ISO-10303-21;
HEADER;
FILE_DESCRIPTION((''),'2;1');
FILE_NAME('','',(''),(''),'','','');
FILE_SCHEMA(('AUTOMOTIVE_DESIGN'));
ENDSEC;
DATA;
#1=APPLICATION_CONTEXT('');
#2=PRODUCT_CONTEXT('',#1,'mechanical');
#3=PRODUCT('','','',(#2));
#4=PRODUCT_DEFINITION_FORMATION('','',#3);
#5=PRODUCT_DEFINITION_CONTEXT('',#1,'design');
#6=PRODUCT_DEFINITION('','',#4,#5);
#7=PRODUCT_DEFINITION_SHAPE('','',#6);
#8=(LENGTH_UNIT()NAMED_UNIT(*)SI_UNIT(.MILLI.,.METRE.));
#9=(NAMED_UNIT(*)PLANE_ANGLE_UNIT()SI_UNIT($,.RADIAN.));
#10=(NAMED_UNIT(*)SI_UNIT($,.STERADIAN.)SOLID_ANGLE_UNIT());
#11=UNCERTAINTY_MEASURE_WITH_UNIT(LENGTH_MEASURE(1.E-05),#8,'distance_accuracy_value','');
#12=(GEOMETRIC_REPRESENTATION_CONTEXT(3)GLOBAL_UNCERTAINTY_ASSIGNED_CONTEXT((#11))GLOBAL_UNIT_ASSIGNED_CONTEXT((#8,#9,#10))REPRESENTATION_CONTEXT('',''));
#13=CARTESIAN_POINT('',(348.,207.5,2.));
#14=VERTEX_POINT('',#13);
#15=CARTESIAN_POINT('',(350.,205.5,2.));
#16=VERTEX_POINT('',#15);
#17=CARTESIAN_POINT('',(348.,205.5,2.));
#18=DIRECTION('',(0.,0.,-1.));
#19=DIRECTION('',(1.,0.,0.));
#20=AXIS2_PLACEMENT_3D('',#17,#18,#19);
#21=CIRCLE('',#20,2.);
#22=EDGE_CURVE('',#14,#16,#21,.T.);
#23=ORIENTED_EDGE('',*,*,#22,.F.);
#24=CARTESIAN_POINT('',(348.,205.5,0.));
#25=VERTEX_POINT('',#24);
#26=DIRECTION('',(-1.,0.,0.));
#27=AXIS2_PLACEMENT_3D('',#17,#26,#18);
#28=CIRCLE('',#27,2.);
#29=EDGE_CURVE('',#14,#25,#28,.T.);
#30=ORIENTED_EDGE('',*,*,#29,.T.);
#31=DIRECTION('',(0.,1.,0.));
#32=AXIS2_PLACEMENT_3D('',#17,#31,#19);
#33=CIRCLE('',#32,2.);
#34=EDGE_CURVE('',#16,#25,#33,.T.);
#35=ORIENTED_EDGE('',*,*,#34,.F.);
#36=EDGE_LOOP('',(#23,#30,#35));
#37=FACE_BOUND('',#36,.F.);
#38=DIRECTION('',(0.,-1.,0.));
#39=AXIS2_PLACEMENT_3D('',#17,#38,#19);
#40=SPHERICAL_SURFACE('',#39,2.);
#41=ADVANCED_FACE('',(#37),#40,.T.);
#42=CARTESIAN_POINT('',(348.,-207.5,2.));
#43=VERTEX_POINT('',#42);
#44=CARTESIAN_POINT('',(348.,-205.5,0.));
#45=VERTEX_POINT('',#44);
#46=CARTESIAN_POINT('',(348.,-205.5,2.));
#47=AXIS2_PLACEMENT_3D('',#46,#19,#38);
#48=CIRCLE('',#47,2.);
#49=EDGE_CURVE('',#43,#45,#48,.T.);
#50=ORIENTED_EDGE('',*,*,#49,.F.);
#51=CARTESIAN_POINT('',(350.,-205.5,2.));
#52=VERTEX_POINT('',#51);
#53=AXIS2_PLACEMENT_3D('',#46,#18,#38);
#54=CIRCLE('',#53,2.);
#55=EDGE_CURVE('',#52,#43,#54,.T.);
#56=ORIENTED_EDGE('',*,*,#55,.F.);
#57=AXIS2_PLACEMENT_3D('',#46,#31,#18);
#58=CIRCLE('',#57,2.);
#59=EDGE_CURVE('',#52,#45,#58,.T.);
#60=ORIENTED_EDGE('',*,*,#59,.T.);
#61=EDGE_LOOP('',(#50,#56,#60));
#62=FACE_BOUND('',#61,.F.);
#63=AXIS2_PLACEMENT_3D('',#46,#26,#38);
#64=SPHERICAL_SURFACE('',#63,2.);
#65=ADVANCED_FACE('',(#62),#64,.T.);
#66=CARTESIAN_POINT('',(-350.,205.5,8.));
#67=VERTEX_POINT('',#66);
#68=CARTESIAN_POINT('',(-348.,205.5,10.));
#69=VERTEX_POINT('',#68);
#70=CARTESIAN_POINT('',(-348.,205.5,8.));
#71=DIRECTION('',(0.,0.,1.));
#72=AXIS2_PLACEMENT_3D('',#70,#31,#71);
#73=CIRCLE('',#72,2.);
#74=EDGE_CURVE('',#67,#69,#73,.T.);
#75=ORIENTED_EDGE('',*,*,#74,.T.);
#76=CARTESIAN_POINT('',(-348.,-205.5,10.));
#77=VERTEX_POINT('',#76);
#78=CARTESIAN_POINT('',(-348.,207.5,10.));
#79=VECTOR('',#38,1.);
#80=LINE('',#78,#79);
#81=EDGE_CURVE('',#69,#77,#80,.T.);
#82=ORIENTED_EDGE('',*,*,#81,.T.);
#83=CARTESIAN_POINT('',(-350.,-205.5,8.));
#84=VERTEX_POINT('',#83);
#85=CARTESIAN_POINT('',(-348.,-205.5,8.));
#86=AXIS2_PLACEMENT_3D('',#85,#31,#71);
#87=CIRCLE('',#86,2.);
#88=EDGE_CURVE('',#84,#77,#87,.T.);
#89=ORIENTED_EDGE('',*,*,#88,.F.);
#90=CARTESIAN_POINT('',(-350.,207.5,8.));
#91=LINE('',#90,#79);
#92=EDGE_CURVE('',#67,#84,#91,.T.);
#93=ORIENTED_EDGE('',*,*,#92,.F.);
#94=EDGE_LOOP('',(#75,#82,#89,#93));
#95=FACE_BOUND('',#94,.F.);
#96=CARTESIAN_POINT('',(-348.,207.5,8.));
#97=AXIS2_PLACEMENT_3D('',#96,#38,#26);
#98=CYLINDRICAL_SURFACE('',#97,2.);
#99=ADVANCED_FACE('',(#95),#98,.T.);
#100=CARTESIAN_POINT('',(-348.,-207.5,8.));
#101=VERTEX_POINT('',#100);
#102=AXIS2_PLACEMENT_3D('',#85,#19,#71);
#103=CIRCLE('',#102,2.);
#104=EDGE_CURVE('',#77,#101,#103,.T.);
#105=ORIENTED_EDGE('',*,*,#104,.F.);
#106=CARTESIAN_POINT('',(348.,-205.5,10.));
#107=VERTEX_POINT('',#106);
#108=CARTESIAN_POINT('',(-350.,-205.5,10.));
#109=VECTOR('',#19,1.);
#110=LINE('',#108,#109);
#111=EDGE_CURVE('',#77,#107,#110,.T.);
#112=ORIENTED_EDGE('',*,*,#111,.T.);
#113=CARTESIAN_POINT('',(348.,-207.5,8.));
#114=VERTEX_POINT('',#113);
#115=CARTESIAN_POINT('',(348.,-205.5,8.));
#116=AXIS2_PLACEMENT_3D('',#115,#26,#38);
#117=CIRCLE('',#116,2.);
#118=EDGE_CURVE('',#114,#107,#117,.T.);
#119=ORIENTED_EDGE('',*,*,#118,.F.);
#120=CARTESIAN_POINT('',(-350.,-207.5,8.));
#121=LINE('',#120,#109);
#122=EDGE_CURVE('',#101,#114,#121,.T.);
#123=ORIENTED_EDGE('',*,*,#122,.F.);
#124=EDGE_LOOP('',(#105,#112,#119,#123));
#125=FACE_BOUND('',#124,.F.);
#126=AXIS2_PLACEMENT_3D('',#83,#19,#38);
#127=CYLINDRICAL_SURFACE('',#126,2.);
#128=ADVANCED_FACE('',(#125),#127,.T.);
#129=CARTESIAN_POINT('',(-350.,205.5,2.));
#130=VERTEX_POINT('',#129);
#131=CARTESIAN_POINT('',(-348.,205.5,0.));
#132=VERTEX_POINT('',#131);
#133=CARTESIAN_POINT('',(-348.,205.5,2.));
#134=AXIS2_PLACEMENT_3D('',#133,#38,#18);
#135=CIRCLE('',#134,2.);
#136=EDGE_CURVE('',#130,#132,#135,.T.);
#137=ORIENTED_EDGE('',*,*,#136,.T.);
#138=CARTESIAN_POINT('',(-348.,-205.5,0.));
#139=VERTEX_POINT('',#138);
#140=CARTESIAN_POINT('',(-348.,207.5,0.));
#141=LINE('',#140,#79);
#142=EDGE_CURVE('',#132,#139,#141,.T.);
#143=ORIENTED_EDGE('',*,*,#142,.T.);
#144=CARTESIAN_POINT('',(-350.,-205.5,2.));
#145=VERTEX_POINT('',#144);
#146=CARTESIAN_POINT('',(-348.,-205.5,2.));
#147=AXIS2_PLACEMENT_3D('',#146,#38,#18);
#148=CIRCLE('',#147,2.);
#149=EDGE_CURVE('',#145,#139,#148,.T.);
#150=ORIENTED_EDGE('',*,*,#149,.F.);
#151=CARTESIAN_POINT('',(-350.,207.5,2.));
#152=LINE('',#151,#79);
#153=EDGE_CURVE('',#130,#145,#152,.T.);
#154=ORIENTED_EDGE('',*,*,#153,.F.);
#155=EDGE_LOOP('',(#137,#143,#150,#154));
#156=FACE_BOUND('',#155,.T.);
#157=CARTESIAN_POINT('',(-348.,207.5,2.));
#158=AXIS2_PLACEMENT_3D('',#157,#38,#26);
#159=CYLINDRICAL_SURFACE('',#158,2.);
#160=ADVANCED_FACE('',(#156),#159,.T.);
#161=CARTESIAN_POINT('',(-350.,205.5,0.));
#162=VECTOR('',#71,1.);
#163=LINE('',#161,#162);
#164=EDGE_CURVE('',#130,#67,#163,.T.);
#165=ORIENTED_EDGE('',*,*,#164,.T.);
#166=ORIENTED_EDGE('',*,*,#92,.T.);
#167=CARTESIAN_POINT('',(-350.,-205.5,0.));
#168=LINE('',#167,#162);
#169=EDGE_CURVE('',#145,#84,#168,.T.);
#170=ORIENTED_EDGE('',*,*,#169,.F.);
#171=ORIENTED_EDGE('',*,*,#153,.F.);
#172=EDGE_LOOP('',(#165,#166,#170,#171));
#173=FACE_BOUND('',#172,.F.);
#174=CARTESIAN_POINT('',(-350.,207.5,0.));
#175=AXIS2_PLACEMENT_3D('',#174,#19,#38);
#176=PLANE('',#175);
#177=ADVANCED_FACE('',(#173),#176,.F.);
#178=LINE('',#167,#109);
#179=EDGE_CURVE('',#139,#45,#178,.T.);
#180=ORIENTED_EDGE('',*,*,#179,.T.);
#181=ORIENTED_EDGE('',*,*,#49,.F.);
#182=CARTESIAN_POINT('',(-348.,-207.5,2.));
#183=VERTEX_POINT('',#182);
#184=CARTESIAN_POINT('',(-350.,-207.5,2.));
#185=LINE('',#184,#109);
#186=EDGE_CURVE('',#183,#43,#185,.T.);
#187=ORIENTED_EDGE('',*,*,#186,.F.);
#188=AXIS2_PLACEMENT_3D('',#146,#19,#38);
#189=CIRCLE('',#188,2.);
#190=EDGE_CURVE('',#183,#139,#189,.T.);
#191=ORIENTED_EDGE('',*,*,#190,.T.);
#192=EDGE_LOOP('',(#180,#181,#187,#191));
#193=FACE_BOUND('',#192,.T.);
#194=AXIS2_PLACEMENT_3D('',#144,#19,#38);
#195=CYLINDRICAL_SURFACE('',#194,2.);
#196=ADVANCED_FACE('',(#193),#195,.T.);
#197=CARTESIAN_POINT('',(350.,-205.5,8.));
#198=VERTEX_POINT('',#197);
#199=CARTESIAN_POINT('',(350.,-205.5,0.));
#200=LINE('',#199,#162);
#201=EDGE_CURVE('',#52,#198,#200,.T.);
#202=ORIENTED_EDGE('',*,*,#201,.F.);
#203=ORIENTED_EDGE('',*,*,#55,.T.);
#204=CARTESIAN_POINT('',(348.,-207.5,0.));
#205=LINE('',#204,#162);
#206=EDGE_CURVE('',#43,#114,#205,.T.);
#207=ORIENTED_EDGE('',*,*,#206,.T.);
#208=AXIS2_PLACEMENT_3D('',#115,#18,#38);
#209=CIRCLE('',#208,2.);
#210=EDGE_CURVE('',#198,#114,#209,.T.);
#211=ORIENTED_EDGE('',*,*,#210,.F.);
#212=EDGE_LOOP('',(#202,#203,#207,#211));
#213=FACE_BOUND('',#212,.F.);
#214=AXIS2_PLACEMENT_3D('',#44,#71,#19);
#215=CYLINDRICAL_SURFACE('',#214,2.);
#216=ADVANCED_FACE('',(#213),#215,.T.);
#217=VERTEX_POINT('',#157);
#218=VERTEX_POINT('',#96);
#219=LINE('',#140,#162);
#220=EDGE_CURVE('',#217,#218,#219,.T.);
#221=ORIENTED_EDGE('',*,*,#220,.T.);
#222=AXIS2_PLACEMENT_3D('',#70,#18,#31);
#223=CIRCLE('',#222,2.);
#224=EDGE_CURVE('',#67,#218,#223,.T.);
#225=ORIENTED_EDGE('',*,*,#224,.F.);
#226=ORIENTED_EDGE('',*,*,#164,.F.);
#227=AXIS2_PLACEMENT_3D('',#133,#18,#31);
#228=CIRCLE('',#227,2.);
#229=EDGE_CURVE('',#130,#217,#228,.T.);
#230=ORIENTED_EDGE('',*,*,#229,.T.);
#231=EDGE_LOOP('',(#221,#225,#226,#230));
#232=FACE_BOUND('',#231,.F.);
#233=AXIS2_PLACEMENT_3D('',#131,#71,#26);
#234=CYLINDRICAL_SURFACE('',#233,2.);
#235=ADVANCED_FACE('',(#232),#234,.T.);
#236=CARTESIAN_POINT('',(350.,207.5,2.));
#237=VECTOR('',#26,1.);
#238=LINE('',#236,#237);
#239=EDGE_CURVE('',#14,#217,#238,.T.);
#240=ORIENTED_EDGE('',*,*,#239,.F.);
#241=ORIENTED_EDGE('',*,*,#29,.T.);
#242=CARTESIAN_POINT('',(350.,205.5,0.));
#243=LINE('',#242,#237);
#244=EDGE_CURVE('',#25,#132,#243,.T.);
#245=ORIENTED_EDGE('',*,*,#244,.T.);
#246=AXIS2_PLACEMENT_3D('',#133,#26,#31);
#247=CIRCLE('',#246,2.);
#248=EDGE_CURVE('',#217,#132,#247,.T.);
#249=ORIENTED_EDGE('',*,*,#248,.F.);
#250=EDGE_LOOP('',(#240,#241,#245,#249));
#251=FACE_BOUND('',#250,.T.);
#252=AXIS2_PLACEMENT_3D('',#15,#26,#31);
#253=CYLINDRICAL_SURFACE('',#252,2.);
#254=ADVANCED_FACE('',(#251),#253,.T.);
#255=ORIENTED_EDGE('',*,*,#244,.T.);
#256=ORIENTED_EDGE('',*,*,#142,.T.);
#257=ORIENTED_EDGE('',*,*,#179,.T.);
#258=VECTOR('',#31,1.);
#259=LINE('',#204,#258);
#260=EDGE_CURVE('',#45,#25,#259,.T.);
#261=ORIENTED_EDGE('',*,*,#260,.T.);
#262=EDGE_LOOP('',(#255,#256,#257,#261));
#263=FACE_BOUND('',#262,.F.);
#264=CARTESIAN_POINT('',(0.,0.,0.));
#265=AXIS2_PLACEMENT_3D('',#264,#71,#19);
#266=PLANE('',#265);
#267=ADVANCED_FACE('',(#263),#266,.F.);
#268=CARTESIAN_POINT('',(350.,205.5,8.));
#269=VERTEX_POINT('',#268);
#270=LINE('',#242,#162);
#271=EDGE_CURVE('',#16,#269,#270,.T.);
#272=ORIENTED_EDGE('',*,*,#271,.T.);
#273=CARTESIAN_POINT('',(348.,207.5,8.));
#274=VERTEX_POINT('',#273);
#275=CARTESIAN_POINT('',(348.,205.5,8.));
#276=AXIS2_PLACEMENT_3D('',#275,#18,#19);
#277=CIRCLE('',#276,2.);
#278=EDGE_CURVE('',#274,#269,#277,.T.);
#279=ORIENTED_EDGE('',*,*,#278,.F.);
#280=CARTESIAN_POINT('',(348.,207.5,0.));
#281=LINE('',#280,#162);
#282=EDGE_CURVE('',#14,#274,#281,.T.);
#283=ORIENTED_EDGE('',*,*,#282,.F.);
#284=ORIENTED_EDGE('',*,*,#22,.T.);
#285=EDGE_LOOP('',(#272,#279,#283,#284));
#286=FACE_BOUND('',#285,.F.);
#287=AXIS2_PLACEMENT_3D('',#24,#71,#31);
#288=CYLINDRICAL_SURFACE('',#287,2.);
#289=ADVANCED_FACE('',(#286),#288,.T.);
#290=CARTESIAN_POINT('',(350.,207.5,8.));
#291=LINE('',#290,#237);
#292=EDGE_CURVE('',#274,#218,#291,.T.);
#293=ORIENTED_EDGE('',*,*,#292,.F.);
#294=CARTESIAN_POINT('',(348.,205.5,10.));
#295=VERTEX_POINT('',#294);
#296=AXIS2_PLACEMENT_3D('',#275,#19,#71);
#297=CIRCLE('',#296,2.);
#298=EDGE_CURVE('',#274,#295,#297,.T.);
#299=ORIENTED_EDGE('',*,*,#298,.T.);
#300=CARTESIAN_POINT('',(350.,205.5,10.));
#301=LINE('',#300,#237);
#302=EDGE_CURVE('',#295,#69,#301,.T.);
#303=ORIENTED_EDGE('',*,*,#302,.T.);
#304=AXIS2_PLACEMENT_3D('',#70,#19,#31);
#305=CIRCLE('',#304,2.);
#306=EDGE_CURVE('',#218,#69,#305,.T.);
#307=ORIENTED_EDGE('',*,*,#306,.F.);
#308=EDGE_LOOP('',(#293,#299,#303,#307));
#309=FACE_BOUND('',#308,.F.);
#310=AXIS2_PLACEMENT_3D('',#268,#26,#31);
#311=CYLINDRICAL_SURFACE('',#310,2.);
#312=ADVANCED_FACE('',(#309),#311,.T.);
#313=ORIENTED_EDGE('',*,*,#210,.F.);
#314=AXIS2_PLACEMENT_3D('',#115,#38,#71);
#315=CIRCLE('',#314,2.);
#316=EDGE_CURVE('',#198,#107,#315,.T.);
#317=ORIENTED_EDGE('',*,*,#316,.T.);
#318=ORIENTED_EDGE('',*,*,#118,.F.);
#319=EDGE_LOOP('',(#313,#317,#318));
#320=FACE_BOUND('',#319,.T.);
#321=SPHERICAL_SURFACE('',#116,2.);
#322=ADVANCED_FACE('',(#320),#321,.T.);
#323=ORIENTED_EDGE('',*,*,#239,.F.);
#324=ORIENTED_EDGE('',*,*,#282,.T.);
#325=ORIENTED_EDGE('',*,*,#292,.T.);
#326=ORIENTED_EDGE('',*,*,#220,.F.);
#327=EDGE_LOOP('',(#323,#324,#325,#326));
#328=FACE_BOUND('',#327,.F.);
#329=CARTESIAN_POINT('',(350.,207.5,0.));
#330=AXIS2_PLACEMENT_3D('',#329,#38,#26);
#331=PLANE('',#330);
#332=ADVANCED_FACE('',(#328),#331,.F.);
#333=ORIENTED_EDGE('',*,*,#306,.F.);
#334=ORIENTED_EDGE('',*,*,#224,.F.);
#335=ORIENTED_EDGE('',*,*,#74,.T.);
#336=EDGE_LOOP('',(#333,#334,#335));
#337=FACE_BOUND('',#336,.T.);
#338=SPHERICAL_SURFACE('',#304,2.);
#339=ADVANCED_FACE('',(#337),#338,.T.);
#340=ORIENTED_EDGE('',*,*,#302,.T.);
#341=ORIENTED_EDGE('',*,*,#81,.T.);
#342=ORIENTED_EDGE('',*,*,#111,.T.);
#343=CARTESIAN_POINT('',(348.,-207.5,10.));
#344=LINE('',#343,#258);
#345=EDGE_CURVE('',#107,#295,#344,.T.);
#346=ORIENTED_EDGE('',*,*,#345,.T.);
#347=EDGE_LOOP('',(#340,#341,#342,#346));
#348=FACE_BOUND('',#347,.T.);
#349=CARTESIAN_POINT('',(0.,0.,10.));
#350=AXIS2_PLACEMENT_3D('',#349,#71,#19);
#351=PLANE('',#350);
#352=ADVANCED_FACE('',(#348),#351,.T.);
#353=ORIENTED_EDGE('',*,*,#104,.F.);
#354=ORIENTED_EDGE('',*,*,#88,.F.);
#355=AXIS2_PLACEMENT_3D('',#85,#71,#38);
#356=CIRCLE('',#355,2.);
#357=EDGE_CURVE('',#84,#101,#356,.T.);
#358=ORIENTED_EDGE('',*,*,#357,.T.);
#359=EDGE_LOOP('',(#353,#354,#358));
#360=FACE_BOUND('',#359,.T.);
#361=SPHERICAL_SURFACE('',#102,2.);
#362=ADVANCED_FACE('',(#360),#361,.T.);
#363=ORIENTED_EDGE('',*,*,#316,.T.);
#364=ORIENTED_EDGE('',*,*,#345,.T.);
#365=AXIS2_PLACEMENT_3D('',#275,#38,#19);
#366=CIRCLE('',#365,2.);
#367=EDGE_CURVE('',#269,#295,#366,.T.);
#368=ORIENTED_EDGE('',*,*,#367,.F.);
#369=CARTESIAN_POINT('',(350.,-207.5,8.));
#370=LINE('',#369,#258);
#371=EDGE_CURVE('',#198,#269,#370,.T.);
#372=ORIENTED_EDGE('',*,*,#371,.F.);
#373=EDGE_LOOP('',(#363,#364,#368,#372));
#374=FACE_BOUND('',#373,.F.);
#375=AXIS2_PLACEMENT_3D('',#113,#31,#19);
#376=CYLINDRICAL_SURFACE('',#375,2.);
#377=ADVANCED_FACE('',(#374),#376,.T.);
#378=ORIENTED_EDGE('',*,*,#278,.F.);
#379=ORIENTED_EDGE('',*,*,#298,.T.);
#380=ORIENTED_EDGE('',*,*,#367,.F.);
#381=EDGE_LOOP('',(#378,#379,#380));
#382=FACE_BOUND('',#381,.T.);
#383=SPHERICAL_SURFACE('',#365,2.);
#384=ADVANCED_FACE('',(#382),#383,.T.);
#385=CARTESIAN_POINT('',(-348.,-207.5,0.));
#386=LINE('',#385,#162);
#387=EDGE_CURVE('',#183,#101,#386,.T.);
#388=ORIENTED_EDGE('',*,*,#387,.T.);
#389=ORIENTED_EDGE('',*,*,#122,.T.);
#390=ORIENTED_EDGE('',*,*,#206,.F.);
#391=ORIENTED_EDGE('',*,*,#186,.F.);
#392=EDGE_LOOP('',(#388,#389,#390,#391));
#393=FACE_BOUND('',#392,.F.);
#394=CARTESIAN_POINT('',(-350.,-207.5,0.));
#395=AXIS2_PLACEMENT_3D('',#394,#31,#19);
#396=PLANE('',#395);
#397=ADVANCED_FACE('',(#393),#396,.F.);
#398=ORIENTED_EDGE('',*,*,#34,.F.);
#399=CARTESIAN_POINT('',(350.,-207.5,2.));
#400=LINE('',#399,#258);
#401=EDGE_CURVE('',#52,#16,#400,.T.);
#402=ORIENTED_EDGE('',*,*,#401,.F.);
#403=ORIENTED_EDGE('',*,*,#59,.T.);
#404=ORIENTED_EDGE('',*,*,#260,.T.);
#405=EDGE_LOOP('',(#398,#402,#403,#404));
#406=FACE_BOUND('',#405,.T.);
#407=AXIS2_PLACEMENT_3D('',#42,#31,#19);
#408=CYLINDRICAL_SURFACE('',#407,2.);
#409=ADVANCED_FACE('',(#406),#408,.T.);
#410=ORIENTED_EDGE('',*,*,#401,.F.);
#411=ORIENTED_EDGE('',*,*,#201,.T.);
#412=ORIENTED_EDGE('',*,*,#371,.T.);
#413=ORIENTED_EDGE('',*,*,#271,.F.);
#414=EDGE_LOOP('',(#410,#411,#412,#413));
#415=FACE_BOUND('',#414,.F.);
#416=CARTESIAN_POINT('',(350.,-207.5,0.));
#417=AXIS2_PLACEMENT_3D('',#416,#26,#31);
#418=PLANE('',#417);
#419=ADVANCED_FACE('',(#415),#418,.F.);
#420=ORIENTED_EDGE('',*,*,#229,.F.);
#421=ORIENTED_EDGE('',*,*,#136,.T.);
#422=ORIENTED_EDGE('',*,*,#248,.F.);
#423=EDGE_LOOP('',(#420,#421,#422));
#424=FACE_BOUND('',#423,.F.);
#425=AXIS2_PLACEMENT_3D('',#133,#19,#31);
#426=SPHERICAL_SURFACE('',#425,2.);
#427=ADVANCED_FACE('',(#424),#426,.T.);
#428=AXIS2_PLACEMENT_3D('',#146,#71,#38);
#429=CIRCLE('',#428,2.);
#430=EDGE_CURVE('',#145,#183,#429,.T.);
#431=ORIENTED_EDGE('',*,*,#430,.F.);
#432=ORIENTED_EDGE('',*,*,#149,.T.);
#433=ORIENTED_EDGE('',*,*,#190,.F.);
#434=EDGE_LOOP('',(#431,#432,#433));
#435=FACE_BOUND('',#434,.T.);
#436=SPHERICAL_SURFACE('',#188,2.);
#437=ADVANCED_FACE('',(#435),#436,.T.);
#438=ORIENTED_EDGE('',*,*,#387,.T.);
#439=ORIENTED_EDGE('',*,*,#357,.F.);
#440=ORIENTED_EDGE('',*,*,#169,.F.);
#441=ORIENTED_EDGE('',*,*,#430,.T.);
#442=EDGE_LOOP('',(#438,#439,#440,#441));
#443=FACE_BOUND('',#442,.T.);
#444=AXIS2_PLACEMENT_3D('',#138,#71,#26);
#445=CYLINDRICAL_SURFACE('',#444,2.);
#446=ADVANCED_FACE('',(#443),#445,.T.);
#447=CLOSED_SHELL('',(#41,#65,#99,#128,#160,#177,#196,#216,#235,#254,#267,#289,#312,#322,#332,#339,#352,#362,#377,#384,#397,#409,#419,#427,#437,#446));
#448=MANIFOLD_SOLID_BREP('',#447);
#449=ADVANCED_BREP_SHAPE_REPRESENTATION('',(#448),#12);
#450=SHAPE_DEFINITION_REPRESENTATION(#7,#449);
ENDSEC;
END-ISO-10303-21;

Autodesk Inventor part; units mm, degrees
ref_plane "YZ Plane" through (0, 0, 0) normal (1, 0, 0) x (0, 1, 0)
ref_plane "XZ Plane" through (0, 0, 0) normal (0, 1, 0) x (-1, 0, 0)
ref_plane "XY Plane" through (0, 0, 0) normal (0, 0, 1) x (1, 0, 0)
sketch "Sketch1" plane through (0, 0, 0) normal (0, 0, 1) x (1, 0, 0)
  line L0 (-350, -207.5) -> (350, -207.5)
  line L1 (350, -207.5) -> (350, 207.5)
  line L2 (350, 207.5) -> (-350, 207.5)
  line L3 (-350, 207.5) -> (-350, -207.5)
  line L4 (-350, -207.5) -> (350, 207.5) construction
  line L5 (350, -207.5) -> (-350, 207.5) construction
  point P0 (0, 0)
  dimension "d0" = 700
  dimension "d1" = 415
extrude "Extrusion1" add sketch "Sketch1" along normal blind 10
fillet "Fillet1" radius 2 12 edges at (0, -207.5, 10) (0, -207.5, 0) (350, -207.5, 5) (350, 0, 10) (350, 0, 0) (350, 207.5, 5) (0, 207.5, 10) (0, 207.5, 0) (-350, 207.5, 5) (-350, 0, 10) (-350, -207.5, 5) (-350, 0, 0)
properties part number "2124_Plywood Frame Top_V1" material "Plywood, Finish"
